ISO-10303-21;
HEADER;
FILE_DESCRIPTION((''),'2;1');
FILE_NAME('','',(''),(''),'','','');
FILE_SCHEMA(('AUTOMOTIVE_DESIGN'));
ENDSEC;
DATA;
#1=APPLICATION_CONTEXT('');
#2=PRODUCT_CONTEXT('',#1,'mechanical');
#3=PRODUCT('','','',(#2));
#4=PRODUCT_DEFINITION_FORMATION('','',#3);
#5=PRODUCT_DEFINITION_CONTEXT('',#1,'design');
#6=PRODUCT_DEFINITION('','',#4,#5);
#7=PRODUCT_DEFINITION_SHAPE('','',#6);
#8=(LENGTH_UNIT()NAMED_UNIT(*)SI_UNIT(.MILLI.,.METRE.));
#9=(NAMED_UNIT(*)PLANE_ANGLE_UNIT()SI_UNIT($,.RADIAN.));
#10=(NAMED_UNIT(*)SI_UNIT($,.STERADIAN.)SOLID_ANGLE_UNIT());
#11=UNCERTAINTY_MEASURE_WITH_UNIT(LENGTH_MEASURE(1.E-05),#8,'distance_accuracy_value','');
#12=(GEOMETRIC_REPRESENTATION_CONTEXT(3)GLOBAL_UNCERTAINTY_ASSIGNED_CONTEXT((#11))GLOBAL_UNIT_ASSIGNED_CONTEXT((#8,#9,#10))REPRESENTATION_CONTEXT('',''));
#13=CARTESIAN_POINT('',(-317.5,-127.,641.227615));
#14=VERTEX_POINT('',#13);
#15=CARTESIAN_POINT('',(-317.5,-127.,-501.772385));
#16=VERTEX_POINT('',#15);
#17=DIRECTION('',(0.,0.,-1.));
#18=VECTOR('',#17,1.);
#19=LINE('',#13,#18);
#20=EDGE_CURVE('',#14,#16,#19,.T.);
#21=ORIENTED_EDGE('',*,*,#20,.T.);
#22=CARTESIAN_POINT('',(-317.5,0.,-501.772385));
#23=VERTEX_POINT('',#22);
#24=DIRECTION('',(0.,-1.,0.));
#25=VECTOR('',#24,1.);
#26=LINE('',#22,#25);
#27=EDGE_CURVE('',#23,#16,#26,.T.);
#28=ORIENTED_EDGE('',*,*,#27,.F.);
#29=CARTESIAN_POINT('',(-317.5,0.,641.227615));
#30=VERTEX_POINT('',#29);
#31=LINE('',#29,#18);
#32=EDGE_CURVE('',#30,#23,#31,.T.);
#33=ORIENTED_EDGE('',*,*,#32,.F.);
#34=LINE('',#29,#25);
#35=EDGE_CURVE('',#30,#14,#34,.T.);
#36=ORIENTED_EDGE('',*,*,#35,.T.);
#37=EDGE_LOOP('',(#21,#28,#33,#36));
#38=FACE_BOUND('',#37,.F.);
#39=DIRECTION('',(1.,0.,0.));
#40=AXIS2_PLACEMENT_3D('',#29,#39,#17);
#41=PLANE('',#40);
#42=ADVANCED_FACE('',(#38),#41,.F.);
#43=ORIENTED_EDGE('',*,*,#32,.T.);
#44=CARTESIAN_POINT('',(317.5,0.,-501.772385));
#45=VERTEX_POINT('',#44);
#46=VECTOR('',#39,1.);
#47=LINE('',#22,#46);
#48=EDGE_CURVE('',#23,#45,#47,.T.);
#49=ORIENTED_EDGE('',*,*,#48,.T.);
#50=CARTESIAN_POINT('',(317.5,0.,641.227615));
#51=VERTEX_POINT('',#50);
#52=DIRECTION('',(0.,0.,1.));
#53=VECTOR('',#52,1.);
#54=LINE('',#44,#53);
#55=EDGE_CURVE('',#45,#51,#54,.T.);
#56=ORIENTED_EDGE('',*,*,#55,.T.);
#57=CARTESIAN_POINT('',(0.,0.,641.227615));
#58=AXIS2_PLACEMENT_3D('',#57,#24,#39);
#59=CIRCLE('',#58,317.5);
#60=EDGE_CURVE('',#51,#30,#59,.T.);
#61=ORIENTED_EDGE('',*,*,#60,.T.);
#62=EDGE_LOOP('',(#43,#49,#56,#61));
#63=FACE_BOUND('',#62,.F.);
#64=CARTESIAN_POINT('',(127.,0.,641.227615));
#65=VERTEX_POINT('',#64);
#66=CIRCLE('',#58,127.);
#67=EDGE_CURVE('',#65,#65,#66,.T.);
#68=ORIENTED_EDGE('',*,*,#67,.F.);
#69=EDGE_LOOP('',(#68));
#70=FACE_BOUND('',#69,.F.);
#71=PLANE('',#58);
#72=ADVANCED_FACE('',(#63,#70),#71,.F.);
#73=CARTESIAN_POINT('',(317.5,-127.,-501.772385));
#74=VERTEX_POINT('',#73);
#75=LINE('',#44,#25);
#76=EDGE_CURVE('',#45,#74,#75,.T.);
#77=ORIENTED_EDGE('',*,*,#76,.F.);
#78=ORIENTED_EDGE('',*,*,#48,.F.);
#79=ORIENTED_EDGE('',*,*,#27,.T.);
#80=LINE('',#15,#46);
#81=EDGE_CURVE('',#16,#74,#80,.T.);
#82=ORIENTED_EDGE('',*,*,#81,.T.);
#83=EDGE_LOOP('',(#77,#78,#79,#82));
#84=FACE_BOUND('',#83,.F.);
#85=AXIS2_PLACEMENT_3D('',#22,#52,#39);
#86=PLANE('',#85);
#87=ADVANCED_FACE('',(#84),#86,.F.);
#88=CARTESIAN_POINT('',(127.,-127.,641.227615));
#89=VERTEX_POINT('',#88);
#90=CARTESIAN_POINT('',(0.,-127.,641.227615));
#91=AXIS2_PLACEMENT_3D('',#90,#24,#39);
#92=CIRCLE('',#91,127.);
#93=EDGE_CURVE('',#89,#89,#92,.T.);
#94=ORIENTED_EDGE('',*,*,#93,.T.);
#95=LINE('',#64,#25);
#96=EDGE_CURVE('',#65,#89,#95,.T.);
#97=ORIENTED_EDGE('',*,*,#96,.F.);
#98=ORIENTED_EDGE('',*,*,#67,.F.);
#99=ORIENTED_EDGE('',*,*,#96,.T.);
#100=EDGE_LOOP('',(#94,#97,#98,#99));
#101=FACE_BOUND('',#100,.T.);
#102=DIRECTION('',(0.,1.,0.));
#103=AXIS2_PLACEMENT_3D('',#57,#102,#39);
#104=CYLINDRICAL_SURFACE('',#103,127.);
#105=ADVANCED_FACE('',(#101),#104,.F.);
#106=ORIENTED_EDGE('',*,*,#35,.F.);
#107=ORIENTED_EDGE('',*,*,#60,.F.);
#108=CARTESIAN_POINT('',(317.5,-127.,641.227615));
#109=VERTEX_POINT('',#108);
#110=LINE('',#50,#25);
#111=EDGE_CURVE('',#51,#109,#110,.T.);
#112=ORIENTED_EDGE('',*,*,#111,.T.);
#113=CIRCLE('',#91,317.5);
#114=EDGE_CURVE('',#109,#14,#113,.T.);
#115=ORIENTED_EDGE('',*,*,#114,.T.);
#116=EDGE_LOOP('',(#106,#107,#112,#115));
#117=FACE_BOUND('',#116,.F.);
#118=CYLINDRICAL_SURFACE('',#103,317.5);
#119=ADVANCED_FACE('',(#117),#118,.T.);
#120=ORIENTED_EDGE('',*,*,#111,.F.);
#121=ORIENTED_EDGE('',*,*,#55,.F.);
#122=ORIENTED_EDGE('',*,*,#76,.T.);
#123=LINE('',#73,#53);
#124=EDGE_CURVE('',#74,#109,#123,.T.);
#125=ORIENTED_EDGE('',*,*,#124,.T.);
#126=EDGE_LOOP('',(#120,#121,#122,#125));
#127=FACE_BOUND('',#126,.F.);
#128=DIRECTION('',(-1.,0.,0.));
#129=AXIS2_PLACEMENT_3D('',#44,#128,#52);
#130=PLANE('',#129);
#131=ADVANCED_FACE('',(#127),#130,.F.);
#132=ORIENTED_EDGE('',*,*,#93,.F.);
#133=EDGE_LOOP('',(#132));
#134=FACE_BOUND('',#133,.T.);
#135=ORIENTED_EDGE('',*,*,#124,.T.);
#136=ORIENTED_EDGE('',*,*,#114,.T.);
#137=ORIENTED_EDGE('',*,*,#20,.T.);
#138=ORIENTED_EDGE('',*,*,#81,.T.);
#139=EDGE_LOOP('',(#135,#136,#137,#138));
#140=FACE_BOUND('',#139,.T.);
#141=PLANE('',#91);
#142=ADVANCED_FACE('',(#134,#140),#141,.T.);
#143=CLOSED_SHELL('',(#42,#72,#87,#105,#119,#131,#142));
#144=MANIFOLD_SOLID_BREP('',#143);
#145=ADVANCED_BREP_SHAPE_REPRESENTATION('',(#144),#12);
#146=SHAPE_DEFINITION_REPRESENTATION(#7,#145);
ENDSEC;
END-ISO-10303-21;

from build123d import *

# Parameters (mm, degrees)
F0_R     = 127
F1_DEPTH = 127


with BuildPart() as f1:
    # F0 (on Front) → F1 (new body)
    with BuildSketch(Plane.XZ):
        with BuildLine():
            ThreePointArc((-317.5, 641.227615), (0, 323.727615), (317.5, 641.227615))
            ThreePointArc((317.5, 641.227615), (0, 958.727615), (-317.5, 641.227615))
        make_face()
        with Locations((0, 641.227615)):
            Circle(F0_R, mode=Mode.SUBTRACT)
        with BuildLine():
            Line((317.5, -501.772385), (317.5, 641.227615))
            ThreePointArc((317.5, 641.227615), (0, 323.727615), (-317.5, 641.227615))
            Line((-317.5, 641.227615), (-317.5, -501.772385))
            Line((-317.5, -501.772385), (317.5, -501.772385))
        make_face()
    extrude(amount=F1_DEPTH)


solid = f1.part
